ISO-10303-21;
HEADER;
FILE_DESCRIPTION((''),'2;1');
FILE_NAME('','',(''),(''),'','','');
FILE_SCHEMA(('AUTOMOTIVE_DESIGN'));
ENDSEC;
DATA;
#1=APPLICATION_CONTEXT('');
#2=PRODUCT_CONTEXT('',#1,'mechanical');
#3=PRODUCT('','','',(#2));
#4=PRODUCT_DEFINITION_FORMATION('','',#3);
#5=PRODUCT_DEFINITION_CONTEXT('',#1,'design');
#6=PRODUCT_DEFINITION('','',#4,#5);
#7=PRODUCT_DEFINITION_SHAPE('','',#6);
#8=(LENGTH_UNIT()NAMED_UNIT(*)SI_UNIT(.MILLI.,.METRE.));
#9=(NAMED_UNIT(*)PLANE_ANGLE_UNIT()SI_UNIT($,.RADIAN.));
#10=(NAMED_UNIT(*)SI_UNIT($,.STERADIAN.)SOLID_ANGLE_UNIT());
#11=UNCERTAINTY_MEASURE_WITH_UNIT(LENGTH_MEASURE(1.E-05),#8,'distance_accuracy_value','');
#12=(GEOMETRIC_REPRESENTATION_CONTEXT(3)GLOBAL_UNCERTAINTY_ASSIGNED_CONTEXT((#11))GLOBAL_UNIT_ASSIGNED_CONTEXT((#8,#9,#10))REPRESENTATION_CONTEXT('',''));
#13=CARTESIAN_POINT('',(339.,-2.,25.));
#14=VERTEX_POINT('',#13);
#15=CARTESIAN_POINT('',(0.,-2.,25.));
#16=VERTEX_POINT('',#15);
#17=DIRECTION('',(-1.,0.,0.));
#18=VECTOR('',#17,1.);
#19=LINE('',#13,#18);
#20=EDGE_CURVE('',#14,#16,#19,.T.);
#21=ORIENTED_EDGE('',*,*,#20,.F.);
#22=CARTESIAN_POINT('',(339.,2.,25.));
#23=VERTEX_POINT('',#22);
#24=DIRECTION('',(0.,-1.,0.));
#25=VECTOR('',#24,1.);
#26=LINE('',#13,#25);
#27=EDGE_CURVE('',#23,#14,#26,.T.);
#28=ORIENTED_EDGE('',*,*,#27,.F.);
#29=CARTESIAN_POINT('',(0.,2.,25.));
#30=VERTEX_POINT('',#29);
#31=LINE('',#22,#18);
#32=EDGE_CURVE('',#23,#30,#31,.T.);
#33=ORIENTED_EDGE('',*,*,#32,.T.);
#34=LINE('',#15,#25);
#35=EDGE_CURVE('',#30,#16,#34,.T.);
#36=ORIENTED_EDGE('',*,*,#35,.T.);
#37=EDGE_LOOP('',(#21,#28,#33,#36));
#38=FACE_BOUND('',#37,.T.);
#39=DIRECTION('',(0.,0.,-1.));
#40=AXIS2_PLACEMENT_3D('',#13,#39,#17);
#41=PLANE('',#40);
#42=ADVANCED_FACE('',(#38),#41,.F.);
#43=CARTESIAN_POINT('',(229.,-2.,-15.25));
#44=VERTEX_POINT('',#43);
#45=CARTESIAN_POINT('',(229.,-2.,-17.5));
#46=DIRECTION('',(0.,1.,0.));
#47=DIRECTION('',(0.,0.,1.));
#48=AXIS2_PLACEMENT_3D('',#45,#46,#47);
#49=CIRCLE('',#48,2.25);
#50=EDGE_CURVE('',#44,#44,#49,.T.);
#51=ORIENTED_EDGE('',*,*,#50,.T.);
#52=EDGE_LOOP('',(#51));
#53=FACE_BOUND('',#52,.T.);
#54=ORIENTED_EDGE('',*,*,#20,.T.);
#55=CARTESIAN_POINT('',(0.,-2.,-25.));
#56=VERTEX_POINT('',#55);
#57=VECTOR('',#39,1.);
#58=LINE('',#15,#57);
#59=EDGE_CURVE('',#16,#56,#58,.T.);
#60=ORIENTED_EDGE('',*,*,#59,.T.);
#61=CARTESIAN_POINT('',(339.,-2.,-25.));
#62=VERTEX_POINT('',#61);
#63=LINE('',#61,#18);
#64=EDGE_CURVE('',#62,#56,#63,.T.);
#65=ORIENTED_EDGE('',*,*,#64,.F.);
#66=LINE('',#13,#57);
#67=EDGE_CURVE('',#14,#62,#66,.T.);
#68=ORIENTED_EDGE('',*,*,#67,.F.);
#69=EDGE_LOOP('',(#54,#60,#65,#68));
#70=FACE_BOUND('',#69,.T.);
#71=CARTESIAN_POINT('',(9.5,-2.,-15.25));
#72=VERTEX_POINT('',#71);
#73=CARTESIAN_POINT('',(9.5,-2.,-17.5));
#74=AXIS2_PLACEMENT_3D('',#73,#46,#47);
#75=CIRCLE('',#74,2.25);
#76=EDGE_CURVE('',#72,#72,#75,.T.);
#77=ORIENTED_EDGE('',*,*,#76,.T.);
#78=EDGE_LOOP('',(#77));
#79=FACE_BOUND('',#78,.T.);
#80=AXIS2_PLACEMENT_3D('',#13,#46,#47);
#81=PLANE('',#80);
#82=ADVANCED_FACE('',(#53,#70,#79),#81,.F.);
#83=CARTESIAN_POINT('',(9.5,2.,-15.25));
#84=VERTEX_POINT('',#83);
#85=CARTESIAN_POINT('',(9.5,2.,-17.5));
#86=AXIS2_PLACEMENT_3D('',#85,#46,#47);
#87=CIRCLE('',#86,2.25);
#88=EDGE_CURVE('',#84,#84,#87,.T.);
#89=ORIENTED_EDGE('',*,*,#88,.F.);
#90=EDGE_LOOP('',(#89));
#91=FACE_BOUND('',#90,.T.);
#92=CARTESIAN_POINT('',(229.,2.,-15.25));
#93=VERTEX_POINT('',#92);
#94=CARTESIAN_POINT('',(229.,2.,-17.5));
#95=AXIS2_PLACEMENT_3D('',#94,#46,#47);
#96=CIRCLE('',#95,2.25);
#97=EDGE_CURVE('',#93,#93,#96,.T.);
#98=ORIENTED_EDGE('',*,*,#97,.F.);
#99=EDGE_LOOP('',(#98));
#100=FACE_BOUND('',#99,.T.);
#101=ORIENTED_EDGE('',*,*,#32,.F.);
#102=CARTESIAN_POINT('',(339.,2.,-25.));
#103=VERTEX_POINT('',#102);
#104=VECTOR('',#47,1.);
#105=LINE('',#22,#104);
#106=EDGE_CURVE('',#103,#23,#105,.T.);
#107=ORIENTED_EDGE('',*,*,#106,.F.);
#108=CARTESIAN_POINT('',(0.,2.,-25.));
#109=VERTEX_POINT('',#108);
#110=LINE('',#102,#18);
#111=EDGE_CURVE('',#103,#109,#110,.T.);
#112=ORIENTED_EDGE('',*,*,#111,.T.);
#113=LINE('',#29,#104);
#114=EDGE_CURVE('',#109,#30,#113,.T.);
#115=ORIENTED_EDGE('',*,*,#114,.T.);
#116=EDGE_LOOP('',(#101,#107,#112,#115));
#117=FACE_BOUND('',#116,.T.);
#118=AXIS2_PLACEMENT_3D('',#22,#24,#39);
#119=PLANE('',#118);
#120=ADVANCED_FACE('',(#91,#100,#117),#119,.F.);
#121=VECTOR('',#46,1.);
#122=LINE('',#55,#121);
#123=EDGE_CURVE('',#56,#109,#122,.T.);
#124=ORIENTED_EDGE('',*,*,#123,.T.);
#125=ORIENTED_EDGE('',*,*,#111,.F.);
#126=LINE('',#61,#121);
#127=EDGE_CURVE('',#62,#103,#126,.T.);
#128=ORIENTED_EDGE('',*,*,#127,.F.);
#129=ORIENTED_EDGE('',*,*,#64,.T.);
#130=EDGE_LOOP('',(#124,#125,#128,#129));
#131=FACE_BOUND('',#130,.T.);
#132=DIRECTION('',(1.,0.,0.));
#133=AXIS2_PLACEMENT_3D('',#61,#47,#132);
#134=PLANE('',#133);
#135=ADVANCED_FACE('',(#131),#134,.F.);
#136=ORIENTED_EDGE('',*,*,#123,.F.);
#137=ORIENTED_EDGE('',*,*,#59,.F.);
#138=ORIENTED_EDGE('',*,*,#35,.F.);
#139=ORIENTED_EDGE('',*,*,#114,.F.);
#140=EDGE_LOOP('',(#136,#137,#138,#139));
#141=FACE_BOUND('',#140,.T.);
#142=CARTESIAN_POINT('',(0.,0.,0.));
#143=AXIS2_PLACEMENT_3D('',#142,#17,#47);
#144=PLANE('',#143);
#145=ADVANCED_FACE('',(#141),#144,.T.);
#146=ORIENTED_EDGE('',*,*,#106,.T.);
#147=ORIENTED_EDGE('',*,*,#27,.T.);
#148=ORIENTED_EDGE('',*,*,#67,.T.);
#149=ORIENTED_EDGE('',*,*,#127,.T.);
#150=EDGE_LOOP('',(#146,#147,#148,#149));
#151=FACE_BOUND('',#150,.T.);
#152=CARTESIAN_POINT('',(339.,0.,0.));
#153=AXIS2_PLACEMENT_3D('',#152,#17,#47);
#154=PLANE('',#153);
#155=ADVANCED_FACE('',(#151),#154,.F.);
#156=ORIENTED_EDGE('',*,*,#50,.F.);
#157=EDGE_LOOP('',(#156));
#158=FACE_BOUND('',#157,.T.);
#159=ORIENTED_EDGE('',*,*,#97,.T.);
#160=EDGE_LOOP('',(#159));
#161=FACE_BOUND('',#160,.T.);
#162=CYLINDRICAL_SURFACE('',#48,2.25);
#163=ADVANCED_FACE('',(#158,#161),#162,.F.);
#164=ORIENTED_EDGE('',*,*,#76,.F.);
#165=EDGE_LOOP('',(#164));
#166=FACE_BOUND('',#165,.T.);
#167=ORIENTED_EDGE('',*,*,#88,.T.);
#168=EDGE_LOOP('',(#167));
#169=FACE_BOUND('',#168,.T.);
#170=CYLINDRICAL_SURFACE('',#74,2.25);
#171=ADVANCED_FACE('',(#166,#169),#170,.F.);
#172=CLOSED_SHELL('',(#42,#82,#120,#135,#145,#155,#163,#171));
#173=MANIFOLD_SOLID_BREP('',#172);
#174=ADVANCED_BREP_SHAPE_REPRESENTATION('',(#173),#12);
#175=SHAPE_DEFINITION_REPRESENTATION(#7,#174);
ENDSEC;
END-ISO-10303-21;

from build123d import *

# Parameters (mm, degrees)
SKETCH_1_W          = 50
SKETCH_1_H          = 4
EXTRUDE_1_DEPTH     = 339
SKETCH_2_R          = 2.25
CUT_EXTRUDE_1_DEPTH = 5


with BuildPart() as part:
    # Эскиз1 → Бобышка-Вытянуть1 (new body)
    with BuildSketch(Plane(origin=(0, 0, 0), x_dir=(0, 0, -1), z_dir=(1, 0, 0))):
        Rectangle(SKETCH_1_W, SKETCH_1_H)
    extrude(amount=EXTRUDE_1_DEPTH)

    # Эскиз2 → Вырез-Вытянуть1 (cut, through all)
    with BuildSketch(Plane(origin=(0, 2, 0), x_dir=(1, 0, 0), z_dir=(0, 1, 0))):
        with Locations((9.5, 17.5)):
            Circle(SKETCH_2_R)
        with Locations((229, 17.5)):
            Circle(SKETCH_2_R)
    extrude(amount=-CUT_EXTRUDE_1_DEPTH, mode=Mode.SUBTRACT)


solid = part.part
